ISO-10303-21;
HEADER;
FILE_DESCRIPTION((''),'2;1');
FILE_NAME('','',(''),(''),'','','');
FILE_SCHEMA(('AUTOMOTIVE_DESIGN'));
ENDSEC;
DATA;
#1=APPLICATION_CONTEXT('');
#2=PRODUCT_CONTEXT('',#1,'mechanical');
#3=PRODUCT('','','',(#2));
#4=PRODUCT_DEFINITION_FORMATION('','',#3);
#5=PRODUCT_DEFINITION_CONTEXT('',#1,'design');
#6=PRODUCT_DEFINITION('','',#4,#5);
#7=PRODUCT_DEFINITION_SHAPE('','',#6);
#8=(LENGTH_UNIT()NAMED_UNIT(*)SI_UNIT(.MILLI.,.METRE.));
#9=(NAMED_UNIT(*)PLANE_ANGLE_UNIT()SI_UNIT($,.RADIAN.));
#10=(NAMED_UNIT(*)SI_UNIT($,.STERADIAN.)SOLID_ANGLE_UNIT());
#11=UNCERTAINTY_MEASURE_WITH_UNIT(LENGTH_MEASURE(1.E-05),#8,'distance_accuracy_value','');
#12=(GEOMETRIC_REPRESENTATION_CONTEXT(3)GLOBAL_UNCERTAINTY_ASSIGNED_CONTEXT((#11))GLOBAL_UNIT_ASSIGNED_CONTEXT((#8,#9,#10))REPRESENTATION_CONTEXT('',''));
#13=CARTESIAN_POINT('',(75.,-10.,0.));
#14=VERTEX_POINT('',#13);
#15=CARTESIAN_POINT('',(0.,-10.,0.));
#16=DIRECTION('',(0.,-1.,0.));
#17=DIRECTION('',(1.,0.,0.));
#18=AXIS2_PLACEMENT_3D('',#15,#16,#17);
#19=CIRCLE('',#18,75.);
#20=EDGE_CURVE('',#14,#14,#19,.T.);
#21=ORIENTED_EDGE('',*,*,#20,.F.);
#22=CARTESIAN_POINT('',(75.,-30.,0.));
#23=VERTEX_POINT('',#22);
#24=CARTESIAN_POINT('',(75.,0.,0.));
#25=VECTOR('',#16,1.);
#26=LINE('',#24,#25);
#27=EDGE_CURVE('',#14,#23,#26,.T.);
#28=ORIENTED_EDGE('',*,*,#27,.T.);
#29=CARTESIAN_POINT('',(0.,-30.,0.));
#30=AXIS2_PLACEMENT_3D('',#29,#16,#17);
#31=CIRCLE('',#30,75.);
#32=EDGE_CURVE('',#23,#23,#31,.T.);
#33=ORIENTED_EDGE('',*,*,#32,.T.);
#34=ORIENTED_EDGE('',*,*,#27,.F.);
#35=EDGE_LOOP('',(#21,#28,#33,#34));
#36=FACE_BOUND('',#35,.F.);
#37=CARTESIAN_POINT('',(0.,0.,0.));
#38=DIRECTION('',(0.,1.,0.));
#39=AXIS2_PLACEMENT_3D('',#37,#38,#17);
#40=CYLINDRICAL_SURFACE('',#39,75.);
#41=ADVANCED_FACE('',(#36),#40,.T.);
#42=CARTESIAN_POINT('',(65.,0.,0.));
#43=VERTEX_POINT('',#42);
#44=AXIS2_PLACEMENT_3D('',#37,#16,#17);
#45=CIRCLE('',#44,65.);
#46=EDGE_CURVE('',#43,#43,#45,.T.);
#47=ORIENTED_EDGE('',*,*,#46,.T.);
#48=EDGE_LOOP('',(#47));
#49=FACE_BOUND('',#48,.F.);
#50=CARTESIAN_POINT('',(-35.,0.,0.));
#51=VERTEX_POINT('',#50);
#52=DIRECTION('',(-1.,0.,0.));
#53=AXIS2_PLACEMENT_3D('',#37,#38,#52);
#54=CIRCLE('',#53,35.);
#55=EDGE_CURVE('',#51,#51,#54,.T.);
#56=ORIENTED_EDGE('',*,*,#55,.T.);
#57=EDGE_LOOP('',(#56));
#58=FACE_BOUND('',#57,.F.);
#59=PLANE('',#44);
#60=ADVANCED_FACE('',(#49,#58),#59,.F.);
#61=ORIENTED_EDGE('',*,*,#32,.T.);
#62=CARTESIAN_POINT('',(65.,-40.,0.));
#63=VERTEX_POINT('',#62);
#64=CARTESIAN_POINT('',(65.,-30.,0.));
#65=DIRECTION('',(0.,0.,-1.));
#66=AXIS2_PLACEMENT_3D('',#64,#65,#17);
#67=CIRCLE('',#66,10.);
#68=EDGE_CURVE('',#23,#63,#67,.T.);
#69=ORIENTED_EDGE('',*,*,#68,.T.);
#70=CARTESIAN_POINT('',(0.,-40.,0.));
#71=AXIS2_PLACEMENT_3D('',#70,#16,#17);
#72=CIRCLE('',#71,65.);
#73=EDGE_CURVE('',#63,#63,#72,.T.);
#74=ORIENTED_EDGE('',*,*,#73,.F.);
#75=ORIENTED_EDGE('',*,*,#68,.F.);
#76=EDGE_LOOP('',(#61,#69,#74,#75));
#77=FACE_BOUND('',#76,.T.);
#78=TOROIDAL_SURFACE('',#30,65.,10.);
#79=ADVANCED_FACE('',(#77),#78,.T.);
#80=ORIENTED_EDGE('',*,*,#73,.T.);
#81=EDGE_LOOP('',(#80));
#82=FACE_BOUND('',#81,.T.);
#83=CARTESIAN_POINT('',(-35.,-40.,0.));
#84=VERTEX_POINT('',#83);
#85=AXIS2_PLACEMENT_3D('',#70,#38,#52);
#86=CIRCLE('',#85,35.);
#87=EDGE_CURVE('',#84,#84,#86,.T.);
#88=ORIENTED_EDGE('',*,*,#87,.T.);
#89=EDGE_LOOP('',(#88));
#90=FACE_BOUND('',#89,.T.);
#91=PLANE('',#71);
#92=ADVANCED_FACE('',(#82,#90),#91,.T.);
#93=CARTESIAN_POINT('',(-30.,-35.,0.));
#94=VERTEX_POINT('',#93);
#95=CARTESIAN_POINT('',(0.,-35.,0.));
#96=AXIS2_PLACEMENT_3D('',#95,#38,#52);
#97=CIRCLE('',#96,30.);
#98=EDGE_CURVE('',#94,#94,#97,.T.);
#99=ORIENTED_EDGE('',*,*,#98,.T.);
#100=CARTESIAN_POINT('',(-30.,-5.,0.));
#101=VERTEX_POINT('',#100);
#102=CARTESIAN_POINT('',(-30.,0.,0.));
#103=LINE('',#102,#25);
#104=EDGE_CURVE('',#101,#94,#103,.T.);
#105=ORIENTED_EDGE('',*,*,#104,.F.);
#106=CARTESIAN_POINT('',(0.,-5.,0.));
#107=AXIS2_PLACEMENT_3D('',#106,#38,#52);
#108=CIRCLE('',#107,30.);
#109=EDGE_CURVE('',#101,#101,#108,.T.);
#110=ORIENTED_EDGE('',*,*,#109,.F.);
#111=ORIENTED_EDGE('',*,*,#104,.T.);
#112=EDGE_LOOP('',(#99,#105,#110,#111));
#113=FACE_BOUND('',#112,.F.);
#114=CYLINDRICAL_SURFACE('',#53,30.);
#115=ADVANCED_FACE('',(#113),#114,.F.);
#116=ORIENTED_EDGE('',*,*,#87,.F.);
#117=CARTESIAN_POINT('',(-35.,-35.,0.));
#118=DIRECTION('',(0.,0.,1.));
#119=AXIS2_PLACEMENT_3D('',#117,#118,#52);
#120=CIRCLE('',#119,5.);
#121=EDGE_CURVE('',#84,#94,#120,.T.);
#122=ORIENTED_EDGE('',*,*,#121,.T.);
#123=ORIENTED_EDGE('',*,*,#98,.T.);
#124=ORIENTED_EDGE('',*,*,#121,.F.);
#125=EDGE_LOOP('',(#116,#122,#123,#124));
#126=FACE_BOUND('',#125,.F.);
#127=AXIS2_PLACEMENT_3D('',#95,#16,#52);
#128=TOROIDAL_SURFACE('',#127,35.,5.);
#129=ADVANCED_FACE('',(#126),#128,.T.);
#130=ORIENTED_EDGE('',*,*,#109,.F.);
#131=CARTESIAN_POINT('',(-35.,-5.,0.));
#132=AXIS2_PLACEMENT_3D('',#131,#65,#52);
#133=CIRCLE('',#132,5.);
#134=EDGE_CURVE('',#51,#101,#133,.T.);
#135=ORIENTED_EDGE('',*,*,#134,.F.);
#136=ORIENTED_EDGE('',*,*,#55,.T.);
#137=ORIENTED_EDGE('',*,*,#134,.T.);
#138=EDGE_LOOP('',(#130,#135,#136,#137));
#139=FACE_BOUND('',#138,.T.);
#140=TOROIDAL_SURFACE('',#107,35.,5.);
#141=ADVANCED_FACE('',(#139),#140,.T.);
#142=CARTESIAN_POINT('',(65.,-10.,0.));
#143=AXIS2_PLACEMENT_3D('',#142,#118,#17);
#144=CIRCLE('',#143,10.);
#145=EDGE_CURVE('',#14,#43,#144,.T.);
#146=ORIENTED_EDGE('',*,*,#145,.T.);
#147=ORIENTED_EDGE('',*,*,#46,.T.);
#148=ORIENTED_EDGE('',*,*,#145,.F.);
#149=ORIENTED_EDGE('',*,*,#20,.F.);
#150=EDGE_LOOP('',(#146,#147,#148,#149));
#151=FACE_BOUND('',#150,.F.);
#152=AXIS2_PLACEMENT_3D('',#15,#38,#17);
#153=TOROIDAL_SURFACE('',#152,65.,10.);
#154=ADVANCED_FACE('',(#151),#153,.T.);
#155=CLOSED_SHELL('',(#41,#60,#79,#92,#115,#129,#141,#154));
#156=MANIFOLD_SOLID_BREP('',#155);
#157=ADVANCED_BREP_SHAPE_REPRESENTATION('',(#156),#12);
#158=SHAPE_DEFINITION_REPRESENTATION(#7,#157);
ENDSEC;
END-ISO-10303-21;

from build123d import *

# Parameters (mm, degrees)
F0_R     = 75
F1_DEPTH = 40
F2_R     = 10
F3_R     = 10
F4_R     = 30
F5_DEPTH = 45
F6_R     = 5


with BuildPart() as f1:
    # F0 (on Front) → F1 (new body)
    with BuildSketch(Plane.XZ):
        Circle(F0_R)
    extrude(amount=F1_DEPTH)

    # F2
    f2_edges = [f1.edges().sort_by_distance(p)[0] for p in [
        (-75, -40, 0),
    ]]
    fillet(f2_edges, radius=F2_R)

    # F3
    f3_edges = [f1.edges().sort_by_distance(p)[0] for p in [
        (-75, 0, 0),
    ]]
    fillet(f3_edges, radius=F3_R)

    # F4 (on face) → F5 (cut)
    with BuildSketch(Plane(origin=(0, 0, 0), x_dir=(-1, 0, 0), z_dir=(0, 1, 0))):
        Circle(F4_R)
    extrude(amount=-F5_DEPTH, mode=Mode.SUBTRACT)

    # F6
    f6_edges = [f1.edges().sort_by_distance(p)[0] for p in [
        (30, -40, 0),
        (30, 0, 0),
    ]]
    fillet(f6_edges, radius=F6_R)


solid = f1.part
